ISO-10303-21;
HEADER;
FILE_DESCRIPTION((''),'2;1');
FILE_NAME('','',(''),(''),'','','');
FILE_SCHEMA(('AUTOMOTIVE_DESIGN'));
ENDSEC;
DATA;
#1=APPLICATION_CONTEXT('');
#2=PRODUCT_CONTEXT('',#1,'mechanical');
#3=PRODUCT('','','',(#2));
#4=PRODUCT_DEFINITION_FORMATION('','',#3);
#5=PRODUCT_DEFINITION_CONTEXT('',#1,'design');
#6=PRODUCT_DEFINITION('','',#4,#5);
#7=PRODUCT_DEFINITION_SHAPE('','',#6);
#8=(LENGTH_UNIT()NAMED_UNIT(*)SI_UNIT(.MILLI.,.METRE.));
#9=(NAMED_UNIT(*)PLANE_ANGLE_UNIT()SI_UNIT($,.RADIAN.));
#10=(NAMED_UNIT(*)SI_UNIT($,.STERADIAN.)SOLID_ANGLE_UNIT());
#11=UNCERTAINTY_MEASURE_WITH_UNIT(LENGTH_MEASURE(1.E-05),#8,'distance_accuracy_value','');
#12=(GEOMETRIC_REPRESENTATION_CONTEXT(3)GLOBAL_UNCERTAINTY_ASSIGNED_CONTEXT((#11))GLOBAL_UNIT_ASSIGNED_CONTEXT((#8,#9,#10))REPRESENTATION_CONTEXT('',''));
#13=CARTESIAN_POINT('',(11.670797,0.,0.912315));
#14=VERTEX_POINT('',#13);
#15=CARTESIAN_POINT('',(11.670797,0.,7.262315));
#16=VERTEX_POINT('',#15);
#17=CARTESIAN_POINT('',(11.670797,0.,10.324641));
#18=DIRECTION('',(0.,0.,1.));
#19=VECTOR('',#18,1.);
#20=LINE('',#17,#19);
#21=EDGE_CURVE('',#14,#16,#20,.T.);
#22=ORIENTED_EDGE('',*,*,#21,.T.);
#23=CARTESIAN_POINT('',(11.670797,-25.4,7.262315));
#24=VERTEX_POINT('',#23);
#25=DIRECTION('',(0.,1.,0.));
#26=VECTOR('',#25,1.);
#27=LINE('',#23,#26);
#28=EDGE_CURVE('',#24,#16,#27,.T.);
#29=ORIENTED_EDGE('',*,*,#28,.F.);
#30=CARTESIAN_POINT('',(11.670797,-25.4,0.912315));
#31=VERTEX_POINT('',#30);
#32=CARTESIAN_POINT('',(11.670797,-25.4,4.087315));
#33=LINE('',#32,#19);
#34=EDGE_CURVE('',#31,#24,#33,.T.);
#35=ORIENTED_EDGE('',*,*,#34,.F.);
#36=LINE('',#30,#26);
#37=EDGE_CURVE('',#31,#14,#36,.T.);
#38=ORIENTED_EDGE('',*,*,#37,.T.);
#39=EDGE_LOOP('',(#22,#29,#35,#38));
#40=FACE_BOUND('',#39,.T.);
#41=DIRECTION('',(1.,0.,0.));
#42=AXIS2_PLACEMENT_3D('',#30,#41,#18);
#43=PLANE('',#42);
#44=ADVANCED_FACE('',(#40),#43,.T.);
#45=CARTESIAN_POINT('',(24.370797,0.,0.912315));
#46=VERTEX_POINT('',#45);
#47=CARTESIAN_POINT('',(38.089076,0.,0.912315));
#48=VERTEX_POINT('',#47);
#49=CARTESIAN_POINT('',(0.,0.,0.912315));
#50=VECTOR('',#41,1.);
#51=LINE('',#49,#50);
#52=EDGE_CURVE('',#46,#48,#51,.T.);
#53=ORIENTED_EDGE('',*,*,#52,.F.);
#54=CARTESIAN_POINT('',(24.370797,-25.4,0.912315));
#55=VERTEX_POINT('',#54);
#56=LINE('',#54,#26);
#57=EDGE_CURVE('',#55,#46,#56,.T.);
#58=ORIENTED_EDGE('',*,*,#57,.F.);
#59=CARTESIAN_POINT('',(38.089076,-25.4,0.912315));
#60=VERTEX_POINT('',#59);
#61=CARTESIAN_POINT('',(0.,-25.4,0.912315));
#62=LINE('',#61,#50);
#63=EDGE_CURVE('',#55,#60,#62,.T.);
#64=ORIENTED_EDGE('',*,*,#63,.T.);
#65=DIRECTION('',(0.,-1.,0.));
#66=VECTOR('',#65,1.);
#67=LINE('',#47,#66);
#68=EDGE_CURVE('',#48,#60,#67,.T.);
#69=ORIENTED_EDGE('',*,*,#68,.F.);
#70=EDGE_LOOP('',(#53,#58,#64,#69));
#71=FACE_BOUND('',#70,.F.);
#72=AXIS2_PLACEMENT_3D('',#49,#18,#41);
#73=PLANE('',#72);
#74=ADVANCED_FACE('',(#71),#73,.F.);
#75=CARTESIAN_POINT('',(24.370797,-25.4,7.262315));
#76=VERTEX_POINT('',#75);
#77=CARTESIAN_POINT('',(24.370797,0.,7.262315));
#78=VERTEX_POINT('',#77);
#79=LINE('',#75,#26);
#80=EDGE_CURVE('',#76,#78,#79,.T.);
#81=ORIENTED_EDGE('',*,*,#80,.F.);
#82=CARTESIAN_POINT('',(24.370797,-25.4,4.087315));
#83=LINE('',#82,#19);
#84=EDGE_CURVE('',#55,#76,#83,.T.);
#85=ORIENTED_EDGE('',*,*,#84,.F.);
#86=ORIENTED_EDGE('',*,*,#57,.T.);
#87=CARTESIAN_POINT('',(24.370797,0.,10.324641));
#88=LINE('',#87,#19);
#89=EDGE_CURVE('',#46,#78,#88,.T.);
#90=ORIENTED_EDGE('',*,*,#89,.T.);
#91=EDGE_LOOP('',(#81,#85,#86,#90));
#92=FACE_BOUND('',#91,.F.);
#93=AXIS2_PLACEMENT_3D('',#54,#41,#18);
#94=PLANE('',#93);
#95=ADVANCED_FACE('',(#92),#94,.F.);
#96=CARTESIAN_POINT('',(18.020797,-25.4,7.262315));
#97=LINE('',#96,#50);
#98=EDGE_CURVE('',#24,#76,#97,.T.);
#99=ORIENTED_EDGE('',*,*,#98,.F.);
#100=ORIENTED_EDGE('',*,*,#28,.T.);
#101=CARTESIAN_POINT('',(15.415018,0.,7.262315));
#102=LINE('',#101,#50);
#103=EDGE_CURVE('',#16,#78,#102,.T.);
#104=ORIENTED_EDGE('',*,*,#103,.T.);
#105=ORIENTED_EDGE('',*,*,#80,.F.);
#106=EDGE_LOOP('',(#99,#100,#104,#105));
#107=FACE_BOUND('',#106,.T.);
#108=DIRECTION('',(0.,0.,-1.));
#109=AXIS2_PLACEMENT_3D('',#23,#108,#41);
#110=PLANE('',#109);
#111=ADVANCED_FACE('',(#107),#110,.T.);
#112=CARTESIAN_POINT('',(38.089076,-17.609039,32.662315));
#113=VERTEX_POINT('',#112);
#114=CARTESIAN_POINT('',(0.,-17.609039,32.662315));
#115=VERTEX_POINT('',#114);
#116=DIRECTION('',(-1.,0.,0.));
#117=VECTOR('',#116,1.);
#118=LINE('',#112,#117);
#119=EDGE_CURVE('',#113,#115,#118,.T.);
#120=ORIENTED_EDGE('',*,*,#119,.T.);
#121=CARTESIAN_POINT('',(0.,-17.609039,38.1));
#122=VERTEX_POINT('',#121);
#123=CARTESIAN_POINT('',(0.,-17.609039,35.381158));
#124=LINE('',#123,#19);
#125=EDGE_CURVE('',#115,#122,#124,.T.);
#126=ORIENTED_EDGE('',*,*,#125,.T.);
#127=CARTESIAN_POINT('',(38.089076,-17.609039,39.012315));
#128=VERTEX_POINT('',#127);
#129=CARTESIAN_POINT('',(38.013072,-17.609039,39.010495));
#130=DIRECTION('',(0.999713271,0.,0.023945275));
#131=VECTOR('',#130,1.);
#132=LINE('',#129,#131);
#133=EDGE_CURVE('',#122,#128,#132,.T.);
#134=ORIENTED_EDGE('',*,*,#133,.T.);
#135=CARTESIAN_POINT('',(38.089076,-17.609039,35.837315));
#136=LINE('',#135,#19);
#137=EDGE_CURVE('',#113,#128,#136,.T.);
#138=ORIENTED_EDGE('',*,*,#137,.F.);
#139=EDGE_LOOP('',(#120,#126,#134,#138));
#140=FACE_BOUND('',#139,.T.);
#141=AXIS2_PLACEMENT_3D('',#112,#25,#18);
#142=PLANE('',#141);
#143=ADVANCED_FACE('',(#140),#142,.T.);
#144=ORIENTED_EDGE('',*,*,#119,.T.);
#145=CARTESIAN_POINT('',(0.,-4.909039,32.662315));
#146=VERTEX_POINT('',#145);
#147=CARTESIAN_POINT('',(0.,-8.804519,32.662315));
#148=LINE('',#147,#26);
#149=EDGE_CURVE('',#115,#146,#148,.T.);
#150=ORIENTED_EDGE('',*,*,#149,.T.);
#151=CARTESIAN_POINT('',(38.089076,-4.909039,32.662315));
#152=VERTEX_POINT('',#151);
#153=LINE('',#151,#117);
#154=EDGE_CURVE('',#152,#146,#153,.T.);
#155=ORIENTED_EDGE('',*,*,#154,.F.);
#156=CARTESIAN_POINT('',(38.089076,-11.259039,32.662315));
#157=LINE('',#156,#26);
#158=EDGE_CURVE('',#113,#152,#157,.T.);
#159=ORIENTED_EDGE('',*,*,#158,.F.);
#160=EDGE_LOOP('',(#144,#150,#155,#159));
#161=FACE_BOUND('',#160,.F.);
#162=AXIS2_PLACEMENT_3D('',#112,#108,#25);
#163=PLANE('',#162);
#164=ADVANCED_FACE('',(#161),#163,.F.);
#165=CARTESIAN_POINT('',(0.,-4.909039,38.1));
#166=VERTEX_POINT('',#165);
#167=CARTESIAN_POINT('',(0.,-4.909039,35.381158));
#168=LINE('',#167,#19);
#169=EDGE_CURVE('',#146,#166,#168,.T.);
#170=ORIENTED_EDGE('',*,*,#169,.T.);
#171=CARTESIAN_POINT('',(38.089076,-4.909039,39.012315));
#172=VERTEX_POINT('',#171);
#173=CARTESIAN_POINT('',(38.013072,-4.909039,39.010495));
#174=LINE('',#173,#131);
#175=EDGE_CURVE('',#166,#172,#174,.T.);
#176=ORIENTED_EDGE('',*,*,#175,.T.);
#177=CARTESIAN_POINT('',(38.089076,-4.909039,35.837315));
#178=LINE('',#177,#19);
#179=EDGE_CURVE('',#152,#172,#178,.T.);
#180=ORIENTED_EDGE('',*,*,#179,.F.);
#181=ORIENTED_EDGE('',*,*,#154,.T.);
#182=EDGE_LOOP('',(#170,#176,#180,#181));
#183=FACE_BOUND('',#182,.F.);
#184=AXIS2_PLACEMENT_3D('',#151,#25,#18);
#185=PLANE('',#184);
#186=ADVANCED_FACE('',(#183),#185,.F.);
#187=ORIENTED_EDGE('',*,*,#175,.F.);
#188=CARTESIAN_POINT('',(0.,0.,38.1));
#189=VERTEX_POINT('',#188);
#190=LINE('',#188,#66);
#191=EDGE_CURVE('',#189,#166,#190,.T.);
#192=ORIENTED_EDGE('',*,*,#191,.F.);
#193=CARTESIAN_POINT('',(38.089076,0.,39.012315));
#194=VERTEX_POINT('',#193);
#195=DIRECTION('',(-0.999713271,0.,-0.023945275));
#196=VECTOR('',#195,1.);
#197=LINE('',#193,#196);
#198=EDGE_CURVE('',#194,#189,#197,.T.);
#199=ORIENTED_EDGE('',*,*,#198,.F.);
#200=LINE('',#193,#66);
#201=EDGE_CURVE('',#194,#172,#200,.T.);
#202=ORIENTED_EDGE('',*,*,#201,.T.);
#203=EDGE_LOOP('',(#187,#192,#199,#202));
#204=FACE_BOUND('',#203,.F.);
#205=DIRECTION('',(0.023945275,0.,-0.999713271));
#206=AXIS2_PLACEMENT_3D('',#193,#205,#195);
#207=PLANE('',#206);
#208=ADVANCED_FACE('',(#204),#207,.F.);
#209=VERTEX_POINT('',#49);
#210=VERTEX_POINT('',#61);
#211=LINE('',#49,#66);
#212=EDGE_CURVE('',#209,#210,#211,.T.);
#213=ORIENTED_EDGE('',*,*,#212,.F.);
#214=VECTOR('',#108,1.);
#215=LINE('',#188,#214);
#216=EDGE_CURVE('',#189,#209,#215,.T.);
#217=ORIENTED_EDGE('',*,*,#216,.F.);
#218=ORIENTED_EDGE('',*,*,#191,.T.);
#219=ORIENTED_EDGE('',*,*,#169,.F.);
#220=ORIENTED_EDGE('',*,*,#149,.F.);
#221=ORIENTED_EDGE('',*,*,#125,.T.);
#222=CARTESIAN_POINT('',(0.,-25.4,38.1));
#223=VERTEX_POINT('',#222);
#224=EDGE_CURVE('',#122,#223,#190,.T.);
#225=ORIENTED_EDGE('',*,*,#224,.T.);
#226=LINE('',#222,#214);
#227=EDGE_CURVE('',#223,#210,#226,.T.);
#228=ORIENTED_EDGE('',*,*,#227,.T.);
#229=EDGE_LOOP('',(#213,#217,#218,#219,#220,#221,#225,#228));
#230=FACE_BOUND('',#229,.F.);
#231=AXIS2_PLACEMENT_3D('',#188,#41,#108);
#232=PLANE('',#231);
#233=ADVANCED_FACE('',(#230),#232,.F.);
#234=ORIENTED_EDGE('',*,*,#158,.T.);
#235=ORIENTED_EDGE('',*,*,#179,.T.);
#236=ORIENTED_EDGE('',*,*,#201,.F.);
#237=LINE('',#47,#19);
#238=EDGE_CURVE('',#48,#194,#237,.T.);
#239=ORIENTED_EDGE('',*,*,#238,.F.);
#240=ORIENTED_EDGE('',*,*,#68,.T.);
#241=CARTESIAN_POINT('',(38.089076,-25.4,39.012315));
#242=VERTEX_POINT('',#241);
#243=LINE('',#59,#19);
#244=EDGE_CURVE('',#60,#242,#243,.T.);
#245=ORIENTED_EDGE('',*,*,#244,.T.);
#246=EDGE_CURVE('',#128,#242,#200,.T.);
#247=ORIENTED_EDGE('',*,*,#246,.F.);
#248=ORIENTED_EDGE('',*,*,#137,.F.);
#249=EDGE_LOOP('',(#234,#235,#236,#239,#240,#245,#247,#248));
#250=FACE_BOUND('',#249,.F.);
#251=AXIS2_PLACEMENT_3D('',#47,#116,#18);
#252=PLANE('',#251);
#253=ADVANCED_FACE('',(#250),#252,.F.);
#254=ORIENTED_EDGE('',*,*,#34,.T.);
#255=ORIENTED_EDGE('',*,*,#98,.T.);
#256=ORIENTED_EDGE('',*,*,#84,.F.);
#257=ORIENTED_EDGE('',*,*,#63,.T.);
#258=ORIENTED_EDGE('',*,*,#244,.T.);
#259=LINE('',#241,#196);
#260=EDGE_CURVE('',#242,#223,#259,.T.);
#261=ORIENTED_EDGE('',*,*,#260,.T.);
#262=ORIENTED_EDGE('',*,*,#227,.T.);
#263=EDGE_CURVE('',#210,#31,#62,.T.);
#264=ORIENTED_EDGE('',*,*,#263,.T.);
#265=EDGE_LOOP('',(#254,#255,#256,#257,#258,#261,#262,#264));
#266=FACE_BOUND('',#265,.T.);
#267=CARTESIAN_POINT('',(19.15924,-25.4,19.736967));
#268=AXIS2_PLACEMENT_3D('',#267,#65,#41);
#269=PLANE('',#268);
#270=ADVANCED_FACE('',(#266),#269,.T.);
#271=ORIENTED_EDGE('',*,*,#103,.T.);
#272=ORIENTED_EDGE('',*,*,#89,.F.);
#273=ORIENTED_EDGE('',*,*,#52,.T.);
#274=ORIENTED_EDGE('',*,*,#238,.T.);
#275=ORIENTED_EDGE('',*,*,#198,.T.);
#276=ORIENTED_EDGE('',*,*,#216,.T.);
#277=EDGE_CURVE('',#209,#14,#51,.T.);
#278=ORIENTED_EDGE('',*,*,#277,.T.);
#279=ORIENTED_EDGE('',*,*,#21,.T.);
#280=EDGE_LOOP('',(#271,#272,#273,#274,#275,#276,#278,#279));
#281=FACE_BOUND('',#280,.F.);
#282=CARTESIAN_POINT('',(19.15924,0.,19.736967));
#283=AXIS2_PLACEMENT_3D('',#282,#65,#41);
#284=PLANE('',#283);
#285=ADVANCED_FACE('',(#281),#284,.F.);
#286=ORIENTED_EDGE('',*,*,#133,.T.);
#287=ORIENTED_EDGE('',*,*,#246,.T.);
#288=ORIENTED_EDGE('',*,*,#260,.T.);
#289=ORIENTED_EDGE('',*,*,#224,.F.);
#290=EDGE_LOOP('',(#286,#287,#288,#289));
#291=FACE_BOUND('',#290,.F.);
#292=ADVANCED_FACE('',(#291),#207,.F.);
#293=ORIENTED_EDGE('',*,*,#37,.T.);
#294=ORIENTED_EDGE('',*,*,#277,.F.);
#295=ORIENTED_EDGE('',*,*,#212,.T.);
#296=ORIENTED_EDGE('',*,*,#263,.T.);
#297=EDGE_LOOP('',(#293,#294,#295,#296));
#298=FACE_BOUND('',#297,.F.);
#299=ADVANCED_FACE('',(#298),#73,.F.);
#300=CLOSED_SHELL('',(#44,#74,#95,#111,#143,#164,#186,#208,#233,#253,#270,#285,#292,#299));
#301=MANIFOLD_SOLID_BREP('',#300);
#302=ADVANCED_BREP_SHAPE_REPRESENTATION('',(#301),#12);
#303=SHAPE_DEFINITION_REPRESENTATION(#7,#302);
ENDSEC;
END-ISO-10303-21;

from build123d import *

# Parameters (mm, degrees)
F1_DEPTH = 25.4
F2_W     = 12.7
F2_H     = 6.35
F3_DEPTH = 25.401
F4_W     = 12.7
F4_H     = 6.35
F5_DEPTH = 38.090076


with BuildPart() as f1:
    # F0 (on Front) → F1 (new body)
    with BuildSketch(Plane.XZ):
        Polygon((38.089076, 39.012315), (0, 38.1), (0, 0.912315), (38.089076, 0.912315), align=None)
    extrude(amount=F1_DEPTH)

    # F2 (on face) → F3 (cut, through all)
    with BuildSketch(Plane.XZ.offset(25.4)):
        with Locations((18.020797, 4.087315)):
            Rectangle(F2_W, F2_H)
    extrude(amount=-F3_DEPTH, mode=Mode.SUBTRACT)

    # F4 (on face) → F5 (cut, through all)
    with BuildSketch(Plane.YZ.offset(38.089076)):
        with Locations((-11.259039, 35.837315)):
            Rectangle(F4_W, F4_H)
    extrude(amount=-F5_DEPTH, mode=Mode.SUBTRACT)


solid = f1.part
